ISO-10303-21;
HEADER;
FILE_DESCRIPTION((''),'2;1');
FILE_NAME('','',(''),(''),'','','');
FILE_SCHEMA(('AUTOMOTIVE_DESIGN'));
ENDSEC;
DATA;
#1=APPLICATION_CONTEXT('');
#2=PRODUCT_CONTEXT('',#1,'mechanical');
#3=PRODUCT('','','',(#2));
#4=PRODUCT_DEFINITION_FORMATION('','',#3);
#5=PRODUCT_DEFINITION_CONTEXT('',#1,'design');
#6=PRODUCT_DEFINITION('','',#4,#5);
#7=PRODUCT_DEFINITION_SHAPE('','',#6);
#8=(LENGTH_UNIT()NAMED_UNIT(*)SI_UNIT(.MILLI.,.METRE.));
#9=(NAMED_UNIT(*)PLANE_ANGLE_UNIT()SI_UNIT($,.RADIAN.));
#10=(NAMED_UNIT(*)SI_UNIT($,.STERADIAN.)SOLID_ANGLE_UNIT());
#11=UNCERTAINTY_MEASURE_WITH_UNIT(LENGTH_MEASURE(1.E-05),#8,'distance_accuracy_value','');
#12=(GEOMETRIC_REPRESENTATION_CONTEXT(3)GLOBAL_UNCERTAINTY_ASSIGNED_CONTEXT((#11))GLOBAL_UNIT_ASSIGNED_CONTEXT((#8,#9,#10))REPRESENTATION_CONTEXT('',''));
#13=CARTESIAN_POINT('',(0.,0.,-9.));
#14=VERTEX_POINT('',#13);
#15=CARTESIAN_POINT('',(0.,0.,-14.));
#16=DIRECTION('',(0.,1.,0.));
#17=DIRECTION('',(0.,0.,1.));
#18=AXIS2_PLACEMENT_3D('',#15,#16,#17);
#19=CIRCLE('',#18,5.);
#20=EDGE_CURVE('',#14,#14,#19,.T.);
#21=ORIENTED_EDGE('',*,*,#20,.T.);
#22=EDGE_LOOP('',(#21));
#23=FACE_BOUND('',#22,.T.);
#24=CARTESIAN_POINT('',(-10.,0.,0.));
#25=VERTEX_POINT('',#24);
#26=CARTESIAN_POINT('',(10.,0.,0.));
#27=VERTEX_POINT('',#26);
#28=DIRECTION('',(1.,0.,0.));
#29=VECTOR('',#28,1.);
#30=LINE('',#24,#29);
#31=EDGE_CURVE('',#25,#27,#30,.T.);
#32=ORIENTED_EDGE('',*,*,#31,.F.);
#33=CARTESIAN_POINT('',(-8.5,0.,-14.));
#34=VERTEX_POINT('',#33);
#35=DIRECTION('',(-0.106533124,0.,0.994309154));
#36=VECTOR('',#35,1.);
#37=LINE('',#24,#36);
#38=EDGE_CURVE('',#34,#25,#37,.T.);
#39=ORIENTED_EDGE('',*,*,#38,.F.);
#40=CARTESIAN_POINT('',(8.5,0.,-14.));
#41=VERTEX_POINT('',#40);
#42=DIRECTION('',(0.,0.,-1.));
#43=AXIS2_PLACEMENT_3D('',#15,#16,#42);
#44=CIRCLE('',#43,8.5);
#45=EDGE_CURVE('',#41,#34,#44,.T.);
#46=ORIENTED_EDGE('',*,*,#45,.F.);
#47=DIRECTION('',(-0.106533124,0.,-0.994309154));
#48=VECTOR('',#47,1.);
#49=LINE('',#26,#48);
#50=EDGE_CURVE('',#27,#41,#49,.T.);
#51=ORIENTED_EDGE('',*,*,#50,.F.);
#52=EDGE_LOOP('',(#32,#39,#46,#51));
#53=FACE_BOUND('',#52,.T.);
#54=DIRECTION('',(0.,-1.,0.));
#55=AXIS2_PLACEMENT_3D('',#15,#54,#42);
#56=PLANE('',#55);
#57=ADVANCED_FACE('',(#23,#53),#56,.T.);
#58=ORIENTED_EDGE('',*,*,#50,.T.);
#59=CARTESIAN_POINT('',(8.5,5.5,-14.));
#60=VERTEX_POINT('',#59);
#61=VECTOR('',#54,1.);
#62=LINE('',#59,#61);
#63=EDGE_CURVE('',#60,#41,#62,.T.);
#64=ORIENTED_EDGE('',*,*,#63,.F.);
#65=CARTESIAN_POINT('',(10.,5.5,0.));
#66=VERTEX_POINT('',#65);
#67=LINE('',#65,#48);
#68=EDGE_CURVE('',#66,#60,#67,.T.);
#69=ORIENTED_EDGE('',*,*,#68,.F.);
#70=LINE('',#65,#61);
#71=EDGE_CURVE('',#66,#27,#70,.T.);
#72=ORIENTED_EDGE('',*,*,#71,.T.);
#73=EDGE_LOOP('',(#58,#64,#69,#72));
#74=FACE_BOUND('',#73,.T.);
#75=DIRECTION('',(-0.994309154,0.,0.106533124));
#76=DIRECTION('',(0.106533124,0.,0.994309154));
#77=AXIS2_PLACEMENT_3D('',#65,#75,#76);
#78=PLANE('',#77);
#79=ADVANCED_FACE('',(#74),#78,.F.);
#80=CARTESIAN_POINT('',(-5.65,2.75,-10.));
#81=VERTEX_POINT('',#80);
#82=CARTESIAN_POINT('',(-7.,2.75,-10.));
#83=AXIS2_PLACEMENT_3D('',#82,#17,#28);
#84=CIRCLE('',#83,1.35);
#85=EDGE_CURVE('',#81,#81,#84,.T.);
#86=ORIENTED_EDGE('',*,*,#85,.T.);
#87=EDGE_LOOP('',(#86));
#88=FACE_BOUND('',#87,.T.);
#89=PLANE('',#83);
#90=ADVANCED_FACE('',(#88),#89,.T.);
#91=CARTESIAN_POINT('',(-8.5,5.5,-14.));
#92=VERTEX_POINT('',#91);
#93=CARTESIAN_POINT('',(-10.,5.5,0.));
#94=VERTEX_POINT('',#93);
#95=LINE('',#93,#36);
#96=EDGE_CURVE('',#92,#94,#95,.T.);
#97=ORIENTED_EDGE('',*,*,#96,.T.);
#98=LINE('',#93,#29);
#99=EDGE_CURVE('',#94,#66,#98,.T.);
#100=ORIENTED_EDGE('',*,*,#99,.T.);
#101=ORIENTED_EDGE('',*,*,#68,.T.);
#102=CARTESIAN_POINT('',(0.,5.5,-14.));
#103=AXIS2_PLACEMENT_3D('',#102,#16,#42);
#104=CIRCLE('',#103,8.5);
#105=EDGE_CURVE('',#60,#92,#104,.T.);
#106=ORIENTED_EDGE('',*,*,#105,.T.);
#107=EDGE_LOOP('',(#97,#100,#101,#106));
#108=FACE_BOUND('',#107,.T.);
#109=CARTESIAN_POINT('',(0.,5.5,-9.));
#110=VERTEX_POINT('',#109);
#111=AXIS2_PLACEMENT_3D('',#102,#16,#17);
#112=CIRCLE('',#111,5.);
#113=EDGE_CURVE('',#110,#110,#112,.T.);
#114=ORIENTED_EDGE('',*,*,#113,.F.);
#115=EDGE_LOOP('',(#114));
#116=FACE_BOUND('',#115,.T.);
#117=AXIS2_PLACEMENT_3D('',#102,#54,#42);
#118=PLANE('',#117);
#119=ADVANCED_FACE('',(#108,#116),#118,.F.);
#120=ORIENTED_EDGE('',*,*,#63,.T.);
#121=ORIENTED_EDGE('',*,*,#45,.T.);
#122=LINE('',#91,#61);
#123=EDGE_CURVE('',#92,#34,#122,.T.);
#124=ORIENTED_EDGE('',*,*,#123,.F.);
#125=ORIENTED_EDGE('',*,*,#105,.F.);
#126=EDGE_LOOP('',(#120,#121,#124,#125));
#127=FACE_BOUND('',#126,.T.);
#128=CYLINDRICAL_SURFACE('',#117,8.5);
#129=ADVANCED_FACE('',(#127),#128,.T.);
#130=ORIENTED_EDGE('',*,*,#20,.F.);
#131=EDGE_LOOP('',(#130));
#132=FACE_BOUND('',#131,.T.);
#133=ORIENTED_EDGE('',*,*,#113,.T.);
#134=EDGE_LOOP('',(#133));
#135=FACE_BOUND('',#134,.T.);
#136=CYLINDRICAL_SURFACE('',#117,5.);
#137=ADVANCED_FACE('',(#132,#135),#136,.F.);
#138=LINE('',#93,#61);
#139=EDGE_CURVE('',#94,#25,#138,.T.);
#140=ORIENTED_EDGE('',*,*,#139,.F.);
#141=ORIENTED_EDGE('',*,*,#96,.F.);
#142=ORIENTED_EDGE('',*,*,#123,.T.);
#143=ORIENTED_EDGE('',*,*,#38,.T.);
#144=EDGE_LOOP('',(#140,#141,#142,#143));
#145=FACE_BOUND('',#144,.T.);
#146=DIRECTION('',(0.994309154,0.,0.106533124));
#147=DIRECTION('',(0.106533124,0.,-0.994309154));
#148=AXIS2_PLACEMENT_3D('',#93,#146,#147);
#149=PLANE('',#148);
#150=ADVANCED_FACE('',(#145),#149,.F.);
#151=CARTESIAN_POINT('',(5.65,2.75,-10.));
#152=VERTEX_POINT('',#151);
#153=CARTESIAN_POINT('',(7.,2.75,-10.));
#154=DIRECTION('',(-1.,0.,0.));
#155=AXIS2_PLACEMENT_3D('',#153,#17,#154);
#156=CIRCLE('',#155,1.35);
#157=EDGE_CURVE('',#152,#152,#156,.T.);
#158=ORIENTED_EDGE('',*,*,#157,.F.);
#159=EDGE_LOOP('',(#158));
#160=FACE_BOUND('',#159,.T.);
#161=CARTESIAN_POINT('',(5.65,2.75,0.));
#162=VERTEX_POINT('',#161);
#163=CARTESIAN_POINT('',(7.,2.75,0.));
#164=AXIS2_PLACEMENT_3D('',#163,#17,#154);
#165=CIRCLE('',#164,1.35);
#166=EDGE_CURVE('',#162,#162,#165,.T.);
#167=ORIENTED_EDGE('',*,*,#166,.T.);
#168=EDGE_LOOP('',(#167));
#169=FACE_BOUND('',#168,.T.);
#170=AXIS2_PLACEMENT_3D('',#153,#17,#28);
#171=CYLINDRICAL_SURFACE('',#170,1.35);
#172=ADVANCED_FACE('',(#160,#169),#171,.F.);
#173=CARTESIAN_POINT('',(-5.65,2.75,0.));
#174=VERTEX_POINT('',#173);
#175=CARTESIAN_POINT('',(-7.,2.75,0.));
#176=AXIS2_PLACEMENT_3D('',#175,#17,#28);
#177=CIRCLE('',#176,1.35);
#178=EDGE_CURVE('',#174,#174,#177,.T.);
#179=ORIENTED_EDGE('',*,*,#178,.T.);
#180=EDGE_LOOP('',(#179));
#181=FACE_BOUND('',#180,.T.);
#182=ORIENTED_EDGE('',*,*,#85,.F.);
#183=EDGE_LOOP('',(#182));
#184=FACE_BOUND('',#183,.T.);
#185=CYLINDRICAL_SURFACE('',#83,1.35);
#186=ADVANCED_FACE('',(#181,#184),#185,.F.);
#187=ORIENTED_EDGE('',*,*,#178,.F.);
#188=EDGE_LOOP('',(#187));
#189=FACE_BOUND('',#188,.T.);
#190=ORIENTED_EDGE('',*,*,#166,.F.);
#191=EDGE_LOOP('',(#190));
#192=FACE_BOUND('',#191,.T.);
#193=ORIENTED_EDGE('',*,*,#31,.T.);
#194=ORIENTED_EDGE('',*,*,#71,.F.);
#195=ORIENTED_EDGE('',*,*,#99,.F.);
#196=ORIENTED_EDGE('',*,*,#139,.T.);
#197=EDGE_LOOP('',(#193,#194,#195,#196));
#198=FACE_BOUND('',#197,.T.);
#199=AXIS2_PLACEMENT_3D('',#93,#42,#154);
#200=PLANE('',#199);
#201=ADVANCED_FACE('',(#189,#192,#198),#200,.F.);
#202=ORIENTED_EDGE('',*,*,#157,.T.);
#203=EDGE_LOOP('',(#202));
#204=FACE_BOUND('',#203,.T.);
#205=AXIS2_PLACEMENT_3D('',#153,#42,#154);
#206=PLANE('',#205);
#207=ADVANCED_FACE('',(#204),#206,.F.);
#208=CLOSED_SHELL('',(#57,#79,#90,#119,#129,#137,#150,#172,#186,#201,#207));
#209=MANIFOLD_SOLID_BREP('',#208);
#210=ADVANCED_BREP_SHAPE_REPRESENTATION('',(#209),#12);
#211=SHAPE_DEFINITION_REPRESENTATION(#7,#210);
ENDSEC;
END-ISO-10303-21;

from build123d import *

# Parameters (mm, degrees)
SKETCH1_R           = 5
BOSS_EXTRUDE1_DEPTH = 5.5
SKETCH2_R           = 1.35
CUT_EXTRUDE1_DEPTH  = 10


with BuildPart() as part:
    # Sketch1 → Boss-Extrude1 (new body)
    with BuildSketch(Plane(origin=(0, 0, 0), x_dir=(1, 0, 0), z_dir=(0, 1, 0))):
        with BuildLine():
            Line((-10, 0), (-8.5, 14))
            ThreePointArc((-8.5, 14), (0, 22.5), (8.5, 14))
            Line((8.5, 14), (10, 0))
            Line((10, 0), (-10, 0))
        make_face()
        with Locations(Location((0, 14, 0), (0, 0, 270))):
            Circle(SKETCH1_R, mode=Mode.SUBTRACT)
    extrude(amount=BOSS_EXTRUDE1_DEPTH)

    # Sketch2 → Cut-Extrude1 (cut)
    with BuildSketch(Plane.XY):
        with Locations((-7, 2.75)):
            Circle(SKETCH2_R)
        with Locations(Location((7, 2.75, 0), (0, 0, 180))):
            Circle(SKETCH2_R)
    extrude(amount=-CUT_EXTRUDE1_DEPTH, mode=Mode.SUBTRACT)


solid = part.part
